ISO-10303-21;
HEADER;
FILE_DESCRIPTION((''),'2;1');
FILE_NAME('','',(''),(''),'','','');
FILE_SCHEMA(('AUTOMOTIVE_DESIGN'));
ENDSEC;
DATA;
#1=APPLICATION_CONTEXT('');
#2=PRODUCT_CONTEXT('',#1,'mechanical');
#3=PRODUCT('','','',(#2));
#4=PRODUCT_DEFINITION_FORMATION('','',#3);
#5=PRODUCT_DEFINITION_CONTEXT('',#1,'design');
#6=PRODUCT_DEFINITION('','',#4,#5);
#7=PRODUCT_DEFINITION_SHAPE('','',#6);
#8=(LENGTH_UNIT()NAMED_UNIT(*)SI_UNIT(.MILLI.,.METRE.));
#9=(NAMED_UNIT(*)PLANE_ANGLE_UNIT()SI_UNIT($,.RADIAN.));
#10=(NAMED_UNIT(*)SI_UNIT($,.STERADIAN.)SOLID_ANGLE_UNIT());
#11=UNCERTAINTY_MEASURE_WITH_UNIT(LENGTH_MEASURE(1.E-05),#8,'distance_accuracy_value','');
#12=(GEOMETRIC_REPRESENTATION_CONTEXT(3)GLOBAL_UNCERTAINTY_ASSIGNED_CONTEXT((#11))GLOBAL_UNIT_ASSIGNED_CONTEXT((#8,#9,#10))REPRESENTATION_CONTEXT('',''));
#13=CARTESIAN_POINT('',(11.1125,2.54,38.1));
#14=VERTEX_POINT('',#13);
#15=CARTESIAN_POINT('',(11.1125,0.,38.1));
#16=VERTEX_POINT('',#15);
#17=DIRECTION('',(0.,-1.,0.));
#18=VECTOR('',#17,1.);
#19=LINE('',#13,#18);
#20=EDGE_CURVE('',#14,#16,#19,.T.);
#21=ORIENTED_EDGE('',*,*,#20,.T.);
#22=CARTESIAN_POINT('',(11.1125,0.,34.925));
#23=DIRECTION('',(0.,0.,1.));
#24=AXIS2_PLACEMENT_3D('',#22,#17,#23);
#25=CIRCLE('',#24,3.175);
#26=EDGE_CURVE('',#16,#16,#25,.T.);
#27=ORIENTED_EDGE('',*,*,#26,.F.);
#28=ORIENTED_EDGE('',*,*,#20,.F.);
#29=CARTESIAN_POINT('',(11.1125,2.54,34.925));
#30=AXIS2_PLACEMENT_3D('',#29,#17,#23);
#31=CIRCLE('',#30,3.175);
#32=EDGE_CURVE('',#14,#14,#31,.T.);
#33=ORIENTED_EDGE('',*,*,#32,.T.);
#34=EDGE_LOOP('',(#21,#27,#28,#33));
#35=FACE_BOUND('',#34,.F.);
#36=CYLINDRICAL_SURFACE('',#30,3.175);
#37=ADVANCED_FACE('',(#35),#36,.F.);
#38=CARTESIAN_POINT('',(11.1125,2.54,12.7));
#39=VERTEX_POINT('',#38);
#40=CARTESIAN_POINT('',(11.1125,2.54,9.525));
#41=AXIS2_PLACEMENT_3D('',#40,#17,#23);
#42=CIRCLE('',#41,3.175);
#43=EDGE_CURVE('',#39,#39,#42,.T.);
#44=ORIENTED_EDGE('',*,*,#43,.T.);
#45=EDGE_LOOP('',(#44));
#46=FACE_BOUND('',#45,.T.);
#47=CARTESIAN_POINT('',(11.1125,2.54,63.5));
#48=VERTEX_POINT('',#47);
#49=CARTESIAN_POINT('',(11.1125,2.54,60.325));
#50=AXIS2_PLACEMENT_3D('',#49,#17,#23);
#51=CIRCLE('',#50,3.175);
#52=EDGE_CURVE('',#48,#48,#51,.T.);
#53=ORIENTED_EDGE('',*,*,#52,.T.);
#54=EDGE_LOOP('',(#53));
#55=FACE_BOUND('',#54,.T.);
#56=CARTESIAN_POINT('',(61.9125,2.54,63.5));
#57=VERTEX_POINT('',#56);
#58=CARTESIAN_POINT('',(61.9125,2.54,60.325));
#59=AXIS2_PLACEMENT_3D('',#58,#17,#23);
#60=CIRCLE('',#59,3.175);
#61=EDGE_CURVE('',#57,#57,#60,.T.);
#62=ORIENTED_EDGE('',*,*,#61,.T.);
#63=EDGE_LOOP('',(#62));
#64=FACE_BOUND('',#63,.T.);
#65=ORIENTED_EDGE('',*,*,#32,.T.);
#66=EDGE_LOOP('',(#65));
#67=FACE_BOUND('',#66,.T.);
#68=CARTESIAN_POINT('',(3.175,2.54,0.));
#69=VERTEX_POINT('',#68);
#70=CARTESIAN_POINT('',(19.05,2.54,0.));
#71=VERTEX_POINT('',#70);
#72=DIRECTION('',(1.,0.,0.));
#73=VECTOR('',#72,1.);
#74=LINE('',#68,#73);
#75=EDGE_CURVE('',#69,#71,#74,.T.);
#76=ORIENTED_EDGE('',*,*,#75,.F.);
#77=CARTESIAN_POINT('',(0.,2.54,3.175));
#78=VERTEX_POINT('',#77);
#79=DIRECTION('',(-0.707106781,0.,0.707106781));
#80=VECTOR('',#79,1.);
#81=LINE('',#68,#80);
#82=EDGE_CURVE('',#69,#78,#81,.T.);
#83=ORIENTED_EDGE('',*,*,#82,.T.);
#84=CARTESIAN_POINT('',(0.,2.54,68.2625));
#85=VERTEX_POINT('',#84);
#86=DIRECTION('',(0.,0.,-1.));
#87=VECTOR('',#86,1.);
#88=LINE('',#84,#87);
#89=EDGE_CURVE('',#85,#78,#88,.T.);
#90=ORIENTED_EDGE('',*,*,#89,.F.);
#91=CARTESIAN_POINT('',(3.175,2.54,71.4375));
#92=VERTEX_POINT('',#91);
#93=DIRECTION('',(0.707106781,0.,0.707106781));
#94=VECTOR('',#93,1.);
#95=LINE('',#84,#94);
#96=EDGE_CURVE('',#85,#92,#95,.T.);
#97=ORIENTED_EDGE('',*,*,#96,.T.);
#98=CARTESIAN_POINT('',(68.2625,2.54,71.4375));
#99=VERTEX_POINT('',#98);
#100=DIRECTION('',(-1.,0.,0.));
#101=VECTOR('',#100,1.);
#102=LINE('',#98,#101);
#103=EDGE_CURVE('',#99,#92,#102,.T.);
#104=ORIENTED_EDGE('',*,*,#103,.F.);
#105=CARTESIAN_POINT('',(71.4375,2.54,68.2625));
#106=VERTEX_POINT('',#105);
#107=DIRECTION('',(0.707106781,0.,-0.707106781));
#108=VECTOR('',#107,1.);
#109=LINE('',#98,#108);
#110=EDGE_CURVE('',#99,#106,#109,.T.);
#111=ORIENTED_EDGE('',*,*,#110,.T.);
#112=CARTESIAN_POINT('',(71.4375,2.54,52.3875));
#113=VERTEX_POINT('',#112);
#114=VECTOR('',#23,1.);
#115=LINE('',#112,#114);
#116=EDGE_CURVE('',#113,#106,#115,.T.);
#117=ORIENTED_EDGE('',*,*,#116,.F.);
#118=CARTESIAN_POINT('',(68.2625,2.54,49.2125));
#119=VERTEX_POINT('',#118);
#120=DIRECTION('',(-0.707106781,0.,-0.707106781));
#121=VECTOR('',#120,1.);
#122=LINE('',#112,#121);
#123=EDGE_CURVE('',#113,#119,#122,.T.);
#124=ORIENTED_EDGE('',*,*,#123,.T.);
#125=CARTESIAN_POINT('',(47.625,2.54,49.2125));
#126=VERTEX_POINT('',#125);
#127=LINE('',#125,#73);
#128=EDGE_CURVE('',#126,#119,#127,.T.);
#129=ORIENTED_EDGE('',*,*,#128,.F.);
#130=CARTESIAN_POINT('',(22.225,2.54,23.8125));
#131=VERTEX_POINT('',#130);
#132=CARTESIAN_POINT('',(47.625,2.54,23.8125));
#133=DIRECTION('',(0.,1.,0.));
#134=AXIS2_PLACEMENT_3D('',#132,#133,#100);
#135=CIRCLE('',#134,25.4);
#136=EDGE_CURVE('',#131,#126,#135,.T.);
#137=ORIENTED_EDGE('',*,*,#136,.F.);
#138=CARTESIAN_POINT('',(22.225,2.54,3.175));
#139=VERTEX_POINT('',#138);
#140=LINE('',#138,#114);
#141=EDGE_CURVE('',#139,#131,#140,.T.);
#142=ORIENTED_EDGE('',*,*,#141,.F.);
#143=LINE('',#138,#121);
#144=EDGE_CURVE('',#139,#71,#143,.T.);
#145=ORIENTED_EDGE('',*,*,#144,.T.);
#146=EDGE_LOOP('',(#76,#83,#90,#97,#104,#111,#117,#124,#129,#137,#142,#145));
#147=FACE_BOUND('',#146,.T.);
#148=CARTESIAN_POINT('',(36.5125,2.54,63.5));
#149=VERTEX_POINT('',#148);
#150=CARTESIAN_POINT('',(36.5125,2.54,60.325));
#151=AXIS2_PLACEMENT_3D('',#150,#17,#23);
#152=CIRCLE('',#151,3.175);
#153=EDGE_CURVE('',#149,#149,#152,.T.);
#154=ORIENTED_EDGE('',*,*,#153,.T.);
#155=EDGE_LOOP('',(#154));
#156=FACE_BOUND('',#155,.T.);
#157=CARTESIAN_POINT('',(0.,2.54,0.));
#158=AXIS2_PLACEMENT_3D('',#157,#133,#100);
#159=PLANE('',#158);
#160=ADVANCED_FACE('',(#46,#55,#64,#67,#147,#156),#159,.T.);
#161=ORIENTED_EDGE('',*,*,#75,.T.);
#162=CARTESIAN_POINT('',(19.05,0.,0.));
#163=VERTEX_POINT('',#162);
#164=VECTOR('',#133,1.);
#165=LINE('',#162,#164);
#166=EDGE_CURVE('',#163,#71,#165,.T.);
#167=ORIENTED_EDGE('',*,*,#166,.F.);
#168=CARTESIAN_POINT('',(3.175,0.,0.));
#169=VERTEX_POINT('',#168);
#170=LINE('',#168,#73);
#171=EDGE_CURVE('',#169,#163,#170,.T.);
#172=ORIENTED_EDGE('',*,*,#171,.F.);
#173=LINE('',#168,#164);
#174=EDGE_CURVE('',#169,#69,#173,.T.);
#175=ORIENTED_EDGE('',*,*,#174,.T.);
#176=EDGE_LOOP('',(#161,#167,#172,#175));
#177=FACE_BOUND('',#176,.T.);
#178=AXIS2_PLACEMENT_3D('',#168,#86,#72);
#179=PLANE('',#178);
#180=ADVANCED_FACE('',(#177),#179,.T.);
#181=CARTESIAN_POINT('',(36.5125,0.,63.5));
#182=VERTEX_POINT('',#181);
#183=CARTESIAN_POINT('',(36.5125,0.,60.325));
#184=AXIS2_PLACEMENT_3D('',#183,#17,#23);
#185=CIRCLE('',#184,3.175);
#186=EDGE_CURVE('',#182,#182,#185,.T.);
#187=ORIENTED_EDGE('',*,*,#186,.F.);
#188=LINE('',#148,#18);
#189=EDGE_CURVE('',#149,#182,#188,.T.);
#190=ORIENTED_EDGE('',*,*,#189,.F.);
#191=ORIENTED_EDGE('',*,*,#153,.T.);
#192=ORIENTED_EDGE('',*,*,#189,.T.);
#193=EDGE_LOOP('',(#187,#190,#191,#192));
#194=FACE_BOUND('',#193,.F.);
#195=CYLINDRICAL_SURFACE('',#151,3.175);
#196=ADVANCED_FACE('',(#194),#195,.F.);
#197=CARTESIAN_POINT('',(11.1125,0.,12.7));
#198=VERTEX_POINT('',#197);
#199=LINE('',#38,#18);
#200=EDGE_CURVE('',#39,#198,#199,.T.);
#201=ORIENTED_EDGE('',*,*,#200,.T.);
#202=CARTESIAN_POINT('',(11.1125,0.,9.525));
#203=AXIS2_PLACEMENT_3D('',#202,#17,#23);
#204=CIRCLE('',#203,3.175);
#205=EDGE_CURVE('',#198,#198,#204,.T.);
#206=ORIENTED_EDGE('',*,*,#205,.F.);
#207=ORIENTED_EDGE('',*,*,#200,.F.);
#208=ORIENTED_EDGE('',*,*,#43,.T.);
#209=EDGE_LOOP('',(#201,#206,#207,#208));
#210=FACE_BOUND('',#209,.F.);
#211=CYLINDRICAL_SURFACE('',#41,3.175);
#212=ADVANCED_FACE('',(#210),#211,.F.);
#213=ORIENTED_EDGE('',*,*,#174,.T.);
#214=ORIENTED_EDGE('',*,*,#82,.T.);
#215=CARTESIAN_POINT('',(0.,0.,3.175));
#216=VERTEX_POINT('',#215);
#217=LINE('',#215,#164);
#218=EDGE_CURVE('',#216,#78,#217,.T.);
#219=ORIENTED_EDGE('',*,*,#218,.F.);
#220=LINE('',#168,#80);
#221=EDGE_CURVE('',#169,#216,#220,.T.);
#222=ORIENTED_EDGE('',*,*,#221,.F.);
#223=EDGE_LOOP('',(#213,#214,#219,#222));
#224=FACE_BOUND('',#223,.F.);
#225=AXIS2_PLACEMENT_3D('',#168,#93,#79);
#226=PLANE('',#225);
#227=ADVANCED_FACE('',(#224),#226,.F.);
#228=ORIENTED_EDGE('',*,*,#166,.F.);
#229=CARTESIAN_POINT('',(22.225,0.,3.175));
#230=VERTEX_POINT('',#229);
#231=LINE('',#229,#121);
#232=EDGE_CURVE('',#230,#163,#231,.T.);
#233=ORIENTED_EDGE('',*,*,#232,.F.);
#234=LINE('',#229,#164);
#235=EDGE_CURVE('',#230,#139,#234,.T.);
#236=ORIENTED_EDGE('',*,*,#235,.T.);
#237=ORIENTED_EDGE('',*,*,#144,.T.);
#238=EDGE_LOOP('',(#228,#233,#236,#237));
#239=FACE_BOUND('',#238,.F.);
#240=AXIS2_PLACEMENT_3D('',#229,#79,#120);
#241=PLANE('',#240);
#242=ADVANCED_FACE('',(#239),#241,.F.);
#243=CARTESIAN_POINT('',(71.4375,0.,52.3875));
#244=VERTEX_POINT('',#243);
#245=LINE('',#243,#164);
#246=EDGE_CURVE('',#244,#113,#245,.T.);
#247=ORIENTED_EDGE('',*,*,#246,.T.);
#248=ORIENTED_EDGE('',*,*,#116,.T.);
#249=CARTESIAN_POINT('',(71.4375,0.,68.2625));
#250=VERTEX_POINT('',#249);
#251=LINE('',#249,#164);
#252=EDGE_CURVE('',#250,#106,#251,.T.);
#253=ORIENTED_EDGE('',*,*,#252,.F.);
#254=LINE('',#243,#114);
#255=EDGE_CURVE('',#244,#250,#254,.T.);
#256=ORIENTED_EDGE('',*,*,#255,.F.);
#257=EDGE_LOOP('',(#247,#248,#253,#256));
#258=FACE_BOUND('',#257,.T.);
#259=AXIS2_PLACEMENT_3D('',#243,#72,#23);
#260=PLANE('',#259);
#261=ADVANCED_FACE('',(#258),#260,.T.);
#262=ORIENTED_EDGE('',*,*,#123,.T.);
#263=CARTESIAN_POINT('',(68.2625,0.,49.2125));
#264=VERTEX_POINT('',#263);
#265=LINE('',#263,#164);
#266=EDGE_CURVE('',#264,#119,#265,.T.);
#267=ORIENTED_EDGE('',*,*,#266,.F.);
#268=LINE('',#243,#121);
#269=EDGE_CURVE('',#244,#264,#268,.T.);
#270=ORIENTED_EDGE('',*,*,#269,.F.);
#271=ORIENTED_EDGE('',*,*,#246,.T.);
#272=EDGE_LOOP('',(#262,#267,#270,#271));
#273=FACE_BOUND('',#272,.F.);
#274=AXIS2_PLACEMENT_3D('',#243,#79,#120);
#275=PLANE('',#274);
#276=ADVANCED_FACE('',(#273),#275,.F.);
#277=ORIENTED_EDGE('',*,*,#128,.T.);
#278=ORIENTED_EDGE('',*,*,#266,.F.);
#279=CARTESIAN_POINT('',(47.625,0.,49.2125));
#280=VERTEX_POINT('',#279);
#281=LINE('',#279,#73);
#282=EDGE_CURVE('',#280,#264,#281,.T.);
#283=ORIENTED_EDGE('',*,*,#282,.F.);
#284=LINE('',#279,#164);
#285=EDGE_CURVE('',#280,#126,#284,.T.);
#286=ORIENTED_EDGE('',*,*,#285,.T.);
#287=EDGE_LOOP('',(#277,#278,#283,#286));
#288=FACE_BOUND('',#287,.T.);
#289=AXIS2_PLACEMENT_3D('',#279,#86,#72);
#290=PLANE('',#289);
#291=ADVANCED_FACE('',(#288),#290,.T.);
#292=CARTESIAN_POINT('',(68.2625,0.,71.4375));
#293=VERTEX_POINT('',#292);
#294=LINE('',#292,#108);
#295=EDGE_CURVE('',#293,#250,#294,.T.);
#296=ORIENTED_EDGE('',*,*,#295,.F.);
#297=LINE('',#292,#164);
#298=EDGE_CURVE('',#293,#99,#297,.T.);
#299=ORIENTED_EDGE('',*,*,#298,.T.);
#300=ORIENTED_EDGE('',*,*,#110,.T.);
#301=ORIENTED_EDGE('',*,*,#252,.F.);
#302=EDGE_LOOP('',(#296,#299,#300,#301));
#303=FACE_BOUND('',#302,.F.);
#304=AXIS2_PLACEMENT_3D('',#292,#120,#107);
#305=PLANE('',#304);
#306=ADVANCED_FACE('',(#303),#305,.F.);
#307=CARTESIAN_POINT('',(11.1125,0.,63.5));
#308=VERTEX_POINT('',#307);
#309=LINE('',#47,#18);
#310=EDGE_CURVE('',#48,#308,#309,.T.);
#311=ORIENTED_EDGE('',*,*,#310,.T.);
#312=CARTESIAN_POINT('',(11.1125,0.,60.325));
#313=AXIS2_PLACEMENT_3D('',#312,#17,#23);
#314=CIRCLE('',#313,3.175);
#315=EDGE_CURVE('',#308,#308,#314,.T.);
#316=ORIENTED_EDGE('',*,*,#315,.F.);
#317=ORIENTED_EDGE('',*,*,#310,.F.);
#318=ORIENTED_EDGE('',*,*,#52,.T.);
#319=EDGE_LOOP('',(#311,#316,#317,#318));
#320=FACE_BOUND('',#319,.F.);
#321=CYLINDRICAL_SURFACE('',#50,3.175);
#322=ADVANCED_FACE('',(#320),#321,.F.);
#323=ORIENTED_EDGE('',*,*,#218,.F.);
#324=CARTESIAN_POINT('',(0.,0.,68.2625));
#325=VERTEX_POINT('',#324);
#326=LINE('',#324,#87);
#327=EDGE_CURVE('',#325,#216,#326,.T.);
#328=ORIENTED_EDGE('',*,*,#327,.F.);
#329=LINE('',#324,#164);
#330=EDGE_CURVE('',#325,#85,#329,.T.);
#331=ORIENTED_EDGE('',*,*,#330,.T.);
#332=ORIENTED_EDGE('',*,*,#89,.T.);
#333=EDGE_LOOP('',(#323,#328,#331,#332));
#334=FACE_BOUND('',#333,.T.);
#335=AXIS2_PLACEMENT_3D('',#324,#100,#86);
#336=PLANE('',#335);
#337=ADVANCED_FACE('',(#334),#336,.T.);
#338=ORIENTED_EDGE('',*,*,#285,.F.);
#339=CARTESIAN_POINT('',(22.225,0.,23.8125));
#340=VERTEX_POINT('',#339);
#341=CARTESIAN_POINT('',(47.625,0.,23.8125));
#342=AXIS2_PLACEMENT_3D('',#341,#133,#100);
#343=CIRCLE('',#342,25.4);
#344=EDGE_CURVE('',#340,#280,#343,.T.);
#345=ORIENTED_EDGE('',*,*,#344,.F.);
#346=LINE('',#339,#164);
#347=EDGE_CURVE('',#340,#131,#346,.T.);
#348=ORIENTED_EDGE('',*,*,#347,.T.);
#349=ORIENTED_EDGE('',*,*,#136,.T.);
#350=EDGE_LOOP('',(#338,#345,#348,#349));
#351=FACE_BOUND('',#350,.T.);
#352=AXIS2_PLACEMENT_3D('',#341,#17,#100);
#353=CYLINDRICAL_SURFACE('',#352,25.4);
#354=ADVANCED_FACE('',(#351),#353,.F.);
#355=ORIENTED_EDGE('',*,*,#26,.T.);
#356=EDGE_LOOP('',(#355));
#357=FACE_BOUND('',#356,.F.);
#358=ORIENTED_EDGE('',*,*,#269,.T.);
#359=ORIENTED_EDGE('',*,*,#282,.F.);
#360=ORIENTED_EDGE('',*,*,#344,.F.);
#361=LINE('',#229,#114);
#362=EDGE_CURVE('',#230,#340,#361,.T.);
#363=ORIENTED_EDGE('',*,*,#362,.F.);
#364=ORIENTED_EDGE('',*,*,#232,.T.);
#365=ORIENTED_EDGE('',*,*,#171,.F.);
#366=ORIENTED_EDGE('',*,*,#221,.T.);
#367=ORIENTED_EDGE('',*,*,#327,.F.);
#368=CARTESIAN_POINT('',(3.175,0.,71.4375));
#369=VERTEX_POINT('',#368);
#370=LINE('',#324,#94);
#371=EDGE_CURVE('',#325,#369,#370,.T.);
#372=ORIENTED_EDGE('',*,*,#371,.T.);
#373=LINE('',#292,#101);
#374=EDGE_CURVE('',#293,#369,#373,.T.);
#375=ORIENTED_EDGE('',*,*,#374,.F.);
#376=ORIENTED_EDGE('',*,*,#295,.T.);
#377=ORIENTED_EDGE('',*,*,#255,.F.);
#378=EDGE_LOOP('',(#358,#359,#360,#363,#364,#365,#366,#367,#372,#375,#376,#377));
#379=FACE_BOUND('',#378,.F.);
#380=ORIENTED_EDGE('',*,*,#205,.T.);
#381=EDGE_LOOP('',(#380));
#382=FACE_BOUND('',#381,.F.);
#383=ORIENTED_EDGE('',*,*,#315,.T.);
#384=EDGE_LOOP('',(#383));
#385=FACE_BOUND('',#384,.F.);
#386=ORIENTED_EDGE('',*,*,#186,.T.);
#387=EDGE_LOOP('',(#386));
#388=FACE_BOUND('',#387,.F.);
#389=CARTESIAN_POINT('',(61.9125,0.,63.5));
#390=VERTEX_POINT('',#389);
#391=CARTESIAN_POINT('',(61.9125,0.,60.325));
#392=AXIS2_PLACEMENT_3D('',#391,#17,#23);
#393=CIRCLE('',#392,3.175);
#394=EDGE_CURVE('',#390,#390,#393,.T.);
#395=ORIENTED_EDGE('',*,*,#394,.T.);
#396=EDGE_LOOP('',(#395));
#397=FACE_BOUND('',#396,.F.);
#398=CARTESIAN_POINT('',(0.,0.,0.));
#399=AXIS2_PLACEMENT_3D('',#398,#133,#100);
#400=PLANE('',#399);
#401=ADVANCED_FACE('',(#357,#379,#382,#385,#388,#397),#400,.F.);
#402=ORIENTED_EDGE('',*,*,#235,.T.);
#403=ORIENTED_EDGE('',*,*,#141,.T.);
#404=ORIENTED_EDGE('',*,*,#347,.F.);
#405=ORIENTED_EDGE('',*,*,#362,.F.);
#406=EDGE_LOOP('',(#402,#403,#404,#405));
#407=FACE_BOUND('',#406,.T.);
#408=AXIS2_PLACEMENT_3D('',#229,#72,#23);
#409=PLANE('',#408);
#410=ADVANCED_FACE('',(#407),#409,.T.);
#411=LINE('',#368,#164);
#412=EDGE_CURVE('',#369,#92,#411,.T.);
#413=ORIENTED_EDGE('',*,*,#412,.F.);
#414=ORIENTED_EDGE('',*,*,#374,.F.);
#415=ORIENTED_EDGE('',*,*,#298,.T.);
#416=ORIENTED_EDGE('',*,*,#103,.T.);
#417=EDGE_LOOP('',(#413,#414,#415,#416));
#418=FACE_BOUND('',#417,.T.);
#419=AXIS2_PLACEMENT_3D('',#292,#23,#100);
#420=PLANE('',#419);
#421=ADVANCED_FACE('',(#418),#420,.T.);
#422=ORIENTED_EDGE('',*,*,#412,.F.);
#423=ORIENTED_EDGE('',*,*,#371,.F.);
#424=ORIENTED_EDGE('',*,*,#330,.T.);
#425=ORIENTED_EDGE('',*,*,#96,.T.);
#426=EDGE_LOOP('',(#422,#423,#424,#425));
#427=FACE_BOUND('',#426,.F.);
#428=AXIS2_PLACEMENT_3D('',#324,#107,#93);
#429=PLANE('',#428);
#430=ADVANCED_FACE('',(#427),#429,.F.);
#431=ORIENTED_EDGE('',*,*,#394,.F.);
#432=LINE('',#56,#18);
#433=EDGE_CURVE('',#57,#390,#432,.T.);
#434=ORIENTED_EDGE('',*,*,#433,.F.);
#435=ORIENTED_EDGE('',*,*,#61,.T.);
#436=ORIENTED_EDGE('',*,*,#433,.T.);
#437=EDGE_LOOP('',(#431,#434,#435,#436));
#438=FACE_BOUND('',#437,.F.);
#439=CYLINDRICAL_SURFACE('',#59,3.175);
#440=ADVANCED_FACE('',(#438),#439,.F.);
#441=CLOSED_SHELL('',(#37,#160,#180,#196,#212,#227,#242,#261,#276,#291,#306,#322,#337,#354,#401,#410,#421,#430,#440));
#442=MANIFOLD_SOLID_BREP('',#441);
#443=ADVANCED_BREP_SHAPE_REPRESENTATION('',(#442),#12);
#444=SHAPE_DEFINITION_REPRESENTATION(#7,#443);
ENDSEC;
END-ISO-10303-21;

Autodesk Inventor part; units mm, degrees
ref_plane "YZ Plane" through (0, 0, 0) normal (1, 0, 0) x (0, 1, 0)
ref_plane "XZ Plane" through (0, 0, 0) normal (0, 1, 0) x (-1, 0, 0)
ref_plane "XY Plane" through (0, 0, 0) normal (0, 0, 1) x (1, 0, 0)
sketch "Sketch1" plane through (0, 0, 0) normal (0, 1, 0) x (-1, 0, 0)
  line L0 (-3.175, 0) -> (-19.05, 0)
  line L1 (-71.4375, 52.3875) -> (-71.4375, 68.2625)
  line L2 (-68.2625, 71.4375) -> (-3.175, 71.4375)
  line L3 (0, 68.2625) -> (0, 3.175)
  line L4 (-3.175, 0) -> (0, 3.175)
  line L5 (0, 68.2625) -> (-3.175, 71.4375)
  line L6 (-68.2625, 71.4375) -> (-71.4375, 68.2625)
  line L7 (-22.225, 3.175) -> (-22.225, 23.8125)
  line L8 (-47.625, 49.2125) -> (-68.2625, 49.2125)
  arc A0 (-22.225, 23.8125) -> (-47.625, 49.2125) centre (-47.625, 23.8125) ccw
  line L9 (-22.225, 3.175) -> (-19.05, 0)
  line L10 (-71.4375, 52.3875) -> (-68.2625, 49.2125)
  point P0 (0, 0)
  point P1 (-71.4375, 71.4375)
  point P2 (0, 71.4375)
  point P3 (-22.225, 49.2125)
  point P4 (-22.225, 0)
  point P5 (-71.4375, 49.2125)
  dimension "d0" = 71.4375
  dimension "d2" = 3.175
  dimension "d3" = 3.175
  dimension "d4" = 3.175
  dimension "d5" = 3.175
  dimension "d6" = 3.175
  dimension "d7" = 3.175
  dimension "d11" = 3.175
  dimension "d12" = 3.175
  dimension "d13" = 3.175
  dimension "d14" = 3.175
  dimension "d32" = 15.875
  dimension "d35" = 15.875
  dimension "d37" = 71.4375
  dimension "d38" = 25.4
  dimension "d39" = 47.625
  dimension "d40" = 47.625
extrude "Extrusion1" add sketch "Sketch1" along normal blind 2.54
hole "Hole1" at (11.1125, 2.54, 60.325) direction (0, -1, 0) diameter 6.35 end through all
pattern_linear "Rectangular Pattern1" count 3 spacing 25.4 along (0, 0, -1) of "Hole1"
pattern_linear "Rectangular Pattern2" count 3 spacing 25.4 along (1, 0, 0) of "Hole1"
equation "\"d3\" = d2"
equation "\"d4\" = d2"
equation "\"d5\" = d4"
equation "\"d6\" = d2"
equation "\"d7\" = d6"
equation "\"d12\" = d11"
equation "\"d13\" = d11"
equation "\"d14\" = d13"
equation "\"d35\" = d32"
equation "\"d37\" = d0"
equation "\"d40\" = d39"
equation "\"BendRadius\" = Thickness"
equation "\"BendReliefWidth\" = Thickness"
equation "\"BendReliefDepth\" = 0.5 * Thickness"
equation "\"CornerReliefSize\" = 4 * Thickness"
equation "\"MinimumRemnant\" = 2 * Thickness"
equation "\"TransitionRadius\" = BendRadius"
equation "\"JacobiRadiusSize\" = Thickness"
equation "\"GapSize\" = Thickness"
equation "\"Thickness\" = 3.048"
properties part number "3x3 Gusset"
